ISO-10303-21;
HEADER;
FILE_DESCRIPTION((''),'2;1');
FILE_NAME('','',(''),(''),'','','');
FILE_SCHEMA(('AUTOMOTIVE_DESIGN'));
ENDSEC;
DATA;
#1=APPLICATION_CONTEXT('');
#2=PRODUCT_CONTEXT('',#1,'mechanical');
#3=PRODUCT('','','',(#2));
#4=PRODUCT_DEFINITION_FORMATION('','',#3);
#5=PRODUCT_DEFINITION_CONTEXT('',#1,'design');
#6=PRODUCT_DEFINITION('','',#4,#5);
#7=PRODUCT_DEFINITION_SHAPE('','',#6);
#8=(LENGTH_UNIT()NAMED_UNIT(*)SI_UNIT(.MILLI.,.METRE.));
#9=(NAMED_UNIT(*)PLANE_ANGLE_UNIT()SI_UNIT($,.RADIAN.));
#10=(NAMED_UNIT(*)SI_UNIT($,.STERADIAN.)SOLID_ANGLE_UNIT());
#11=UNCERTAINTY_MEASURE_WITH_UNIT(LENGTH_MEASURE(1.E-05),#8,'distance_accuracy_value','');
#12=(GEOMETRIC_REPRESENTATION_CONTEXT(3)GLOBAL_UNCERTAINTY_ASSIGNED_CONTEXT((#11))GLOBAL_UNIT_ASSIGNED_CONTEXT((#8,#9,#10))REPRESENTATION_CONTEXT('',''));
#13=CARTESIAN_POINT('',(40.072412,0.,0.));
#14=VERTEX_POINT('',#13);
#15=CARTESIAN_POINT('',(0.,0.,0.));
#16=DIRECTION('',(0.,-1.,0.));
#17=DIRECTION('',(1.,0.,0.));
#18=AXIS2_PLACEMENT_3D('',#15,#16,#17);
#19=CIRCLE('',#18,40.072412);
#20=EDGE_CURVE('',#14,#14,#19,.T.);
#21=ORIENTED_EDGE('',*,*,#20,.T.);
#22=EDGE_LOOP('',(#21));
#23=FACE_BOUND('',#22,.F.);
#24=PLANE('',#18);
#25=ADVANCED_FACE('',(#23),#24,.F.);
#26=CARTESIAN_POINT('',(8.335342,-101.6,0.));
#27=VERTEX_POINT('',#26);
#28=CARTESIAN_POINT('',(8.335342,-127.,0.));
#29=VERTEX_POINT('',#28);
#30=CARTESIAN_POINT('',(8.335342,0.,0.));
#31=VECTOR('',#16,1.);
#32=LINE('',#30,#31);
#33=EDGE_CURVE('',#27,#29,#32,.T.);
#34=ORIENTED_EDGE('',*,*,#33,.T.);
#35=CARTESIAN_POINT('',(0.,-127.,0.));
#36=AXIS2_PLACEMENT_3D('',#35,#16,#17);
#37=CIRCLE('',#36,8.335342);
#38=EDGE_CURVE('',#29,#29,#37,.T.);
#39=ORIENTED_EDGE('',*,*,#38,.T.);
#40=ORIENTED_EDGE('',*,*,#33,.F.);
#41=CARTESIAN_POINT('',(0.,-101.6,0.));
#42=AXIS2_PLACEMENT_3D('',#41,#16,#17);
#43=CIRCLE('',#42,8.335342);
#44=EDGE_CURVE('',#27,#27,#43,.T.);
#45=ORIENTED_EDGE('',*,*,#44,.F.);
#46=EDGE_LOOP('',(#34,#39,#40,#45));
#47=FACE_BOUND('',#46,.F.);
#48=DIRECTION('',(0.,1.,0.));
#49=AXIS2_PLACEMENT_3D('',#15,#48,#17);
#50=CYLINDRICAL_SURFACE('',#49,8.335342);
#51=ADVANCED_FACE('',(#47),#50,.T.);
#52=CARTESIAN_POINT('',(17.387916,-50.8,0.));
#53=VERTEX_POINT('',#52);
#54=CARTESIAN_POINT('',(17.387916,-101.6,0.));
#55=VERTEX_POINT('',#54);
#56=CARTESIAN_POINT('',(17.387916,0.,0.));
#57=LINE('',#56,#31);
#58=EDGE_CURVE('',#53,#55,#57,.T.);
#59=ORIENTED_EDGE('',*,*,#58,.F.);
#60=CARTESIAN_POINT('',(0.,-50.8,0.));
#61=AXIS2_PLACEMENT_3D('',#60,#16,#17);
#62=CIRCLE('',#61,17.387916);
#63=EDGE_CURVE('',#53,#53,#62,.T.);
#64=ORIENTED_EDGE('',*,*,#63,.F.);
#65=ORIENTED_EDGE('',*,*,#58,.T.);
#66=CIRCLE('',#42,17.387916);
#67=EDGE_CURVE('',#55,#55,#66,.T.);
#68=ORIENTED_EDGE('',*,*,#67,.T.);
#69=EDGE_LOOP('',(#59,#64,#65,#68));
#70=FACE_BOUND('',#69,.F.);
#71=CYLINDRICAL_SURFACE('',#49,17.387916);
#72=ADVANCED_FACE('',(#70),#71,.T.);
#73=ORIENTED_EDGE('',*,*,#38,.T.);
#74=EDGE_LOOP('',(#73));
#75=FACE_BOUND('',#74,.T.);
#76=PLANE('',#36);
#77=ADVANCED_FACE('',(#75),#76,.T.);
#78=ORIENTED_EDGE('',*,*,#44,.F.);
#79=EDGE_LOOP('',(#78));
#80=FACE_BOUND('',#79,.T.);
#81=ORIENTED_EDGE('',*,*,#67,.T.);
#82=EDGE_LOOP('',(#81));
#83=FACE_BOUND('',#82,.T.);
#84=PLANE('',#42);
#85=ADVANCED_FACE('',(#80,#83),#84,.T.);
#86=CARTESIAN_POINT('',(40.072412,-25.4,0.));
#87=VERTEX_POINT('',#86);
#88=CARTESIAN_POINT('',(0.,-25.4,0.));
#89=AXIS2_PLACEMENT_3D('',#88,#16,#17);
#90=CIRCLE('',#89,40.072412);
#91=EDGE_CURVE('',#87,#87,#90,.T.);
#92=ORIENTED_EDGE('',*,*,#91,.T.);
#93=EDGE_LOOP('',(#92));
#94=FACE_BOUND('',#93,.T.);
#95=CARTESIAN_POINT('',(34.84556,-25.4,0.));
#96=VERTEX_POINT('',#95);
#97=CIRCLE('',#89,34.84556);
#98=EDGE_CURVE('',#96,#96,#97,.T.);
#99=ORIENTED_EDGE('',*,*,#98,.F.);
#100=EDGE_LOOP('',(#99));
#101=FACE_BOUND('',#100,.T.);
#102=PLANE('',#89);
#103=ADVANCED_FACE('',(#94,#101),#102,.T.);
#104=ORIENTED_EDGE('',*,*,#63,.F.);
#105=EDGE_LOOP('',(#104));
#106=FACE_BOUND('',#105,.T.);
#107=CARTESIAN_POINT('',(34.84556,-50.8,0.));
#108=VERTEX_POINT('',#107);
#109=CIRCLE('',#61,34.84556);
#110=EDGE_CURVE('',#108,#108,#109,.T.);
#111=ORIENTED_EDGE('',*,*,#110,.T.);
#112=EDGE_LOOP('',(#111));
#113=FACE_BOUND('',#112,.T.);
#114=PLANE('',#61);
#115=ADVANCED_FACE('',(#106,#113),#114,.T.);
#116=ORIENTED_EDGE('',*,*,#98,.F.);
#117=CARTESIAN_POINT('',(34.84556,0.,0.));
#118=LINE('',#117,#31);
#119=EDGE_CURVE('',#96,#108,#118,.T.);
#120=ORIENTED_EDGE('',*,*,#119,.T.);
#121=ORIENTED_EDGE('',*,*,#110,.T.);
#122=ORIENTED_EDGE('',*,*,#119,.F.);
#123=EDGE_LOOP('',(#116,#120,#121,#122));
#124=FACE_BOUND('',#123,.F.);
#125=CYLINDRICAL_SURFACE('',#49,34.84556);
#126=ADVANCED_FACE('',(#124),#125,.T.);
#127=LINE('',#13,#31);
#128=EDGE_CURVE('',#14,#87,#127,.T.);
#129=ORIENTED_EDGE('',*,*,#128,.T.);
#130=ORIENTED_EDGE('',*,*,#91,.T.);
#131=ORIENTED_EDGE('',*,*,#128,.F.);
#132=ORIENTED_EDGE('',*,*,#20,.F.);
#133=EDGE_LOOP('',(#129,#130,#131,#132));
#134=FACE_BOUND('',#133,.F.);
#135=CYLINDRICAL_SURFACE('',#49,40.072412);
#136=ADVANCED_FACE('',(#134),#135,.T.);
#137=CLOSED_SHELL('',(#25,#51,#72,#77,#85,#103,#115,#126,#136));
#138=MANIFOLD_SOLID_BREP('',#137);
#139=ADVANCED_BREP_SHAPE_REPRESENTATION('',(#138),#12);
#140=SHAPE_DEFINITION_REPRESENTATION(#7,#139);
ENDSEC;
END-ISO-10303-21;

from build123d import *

# Parameters (mm, degrees)
F0_R     = 40.072412
F0_R_2   = 34.84556
F1_DEPTH = 25.4
F0_R_3   = 17.387916
F2_DEPTH = 50.8
F0_R_4   = 8.335342
F3_DEPTH = 101.6
F4_DEPTH = 127


with BuildPart() as f1:
    # F0 (on Front) → F1 (new body)
    with BuildSketch(Plane.XZ):
        Circle(F0_R)
        Circle(F0_R_2, mode=Mode.SUBTRACT)
    extrude(amount=F1_DEPTH)

    # F0 (on Front) → F2 (join)
    with BuildSketch(Plane.XZ):
        Circle(F0_R_2)
        Circle(F0_R_3, mode=Mode.SUBTRACT)
    extrude(amount=F2_DEPTH)

    # F0 (on Front) → F3 (join)
    with BuildSketch(Plane.XZ):
        Circle(F0_R_3)
        Circle(F0_R_4, mode=Mode.SUBTRACT)
    extrude(amount=F3_DEPTH)

    # F0 (on Front) → F4 (join)
    with BuildSketch(Plane.XZ):
        Circle(F0_R_4)
    extrude(amount=F4_DEPTH)


solid = f1.part
